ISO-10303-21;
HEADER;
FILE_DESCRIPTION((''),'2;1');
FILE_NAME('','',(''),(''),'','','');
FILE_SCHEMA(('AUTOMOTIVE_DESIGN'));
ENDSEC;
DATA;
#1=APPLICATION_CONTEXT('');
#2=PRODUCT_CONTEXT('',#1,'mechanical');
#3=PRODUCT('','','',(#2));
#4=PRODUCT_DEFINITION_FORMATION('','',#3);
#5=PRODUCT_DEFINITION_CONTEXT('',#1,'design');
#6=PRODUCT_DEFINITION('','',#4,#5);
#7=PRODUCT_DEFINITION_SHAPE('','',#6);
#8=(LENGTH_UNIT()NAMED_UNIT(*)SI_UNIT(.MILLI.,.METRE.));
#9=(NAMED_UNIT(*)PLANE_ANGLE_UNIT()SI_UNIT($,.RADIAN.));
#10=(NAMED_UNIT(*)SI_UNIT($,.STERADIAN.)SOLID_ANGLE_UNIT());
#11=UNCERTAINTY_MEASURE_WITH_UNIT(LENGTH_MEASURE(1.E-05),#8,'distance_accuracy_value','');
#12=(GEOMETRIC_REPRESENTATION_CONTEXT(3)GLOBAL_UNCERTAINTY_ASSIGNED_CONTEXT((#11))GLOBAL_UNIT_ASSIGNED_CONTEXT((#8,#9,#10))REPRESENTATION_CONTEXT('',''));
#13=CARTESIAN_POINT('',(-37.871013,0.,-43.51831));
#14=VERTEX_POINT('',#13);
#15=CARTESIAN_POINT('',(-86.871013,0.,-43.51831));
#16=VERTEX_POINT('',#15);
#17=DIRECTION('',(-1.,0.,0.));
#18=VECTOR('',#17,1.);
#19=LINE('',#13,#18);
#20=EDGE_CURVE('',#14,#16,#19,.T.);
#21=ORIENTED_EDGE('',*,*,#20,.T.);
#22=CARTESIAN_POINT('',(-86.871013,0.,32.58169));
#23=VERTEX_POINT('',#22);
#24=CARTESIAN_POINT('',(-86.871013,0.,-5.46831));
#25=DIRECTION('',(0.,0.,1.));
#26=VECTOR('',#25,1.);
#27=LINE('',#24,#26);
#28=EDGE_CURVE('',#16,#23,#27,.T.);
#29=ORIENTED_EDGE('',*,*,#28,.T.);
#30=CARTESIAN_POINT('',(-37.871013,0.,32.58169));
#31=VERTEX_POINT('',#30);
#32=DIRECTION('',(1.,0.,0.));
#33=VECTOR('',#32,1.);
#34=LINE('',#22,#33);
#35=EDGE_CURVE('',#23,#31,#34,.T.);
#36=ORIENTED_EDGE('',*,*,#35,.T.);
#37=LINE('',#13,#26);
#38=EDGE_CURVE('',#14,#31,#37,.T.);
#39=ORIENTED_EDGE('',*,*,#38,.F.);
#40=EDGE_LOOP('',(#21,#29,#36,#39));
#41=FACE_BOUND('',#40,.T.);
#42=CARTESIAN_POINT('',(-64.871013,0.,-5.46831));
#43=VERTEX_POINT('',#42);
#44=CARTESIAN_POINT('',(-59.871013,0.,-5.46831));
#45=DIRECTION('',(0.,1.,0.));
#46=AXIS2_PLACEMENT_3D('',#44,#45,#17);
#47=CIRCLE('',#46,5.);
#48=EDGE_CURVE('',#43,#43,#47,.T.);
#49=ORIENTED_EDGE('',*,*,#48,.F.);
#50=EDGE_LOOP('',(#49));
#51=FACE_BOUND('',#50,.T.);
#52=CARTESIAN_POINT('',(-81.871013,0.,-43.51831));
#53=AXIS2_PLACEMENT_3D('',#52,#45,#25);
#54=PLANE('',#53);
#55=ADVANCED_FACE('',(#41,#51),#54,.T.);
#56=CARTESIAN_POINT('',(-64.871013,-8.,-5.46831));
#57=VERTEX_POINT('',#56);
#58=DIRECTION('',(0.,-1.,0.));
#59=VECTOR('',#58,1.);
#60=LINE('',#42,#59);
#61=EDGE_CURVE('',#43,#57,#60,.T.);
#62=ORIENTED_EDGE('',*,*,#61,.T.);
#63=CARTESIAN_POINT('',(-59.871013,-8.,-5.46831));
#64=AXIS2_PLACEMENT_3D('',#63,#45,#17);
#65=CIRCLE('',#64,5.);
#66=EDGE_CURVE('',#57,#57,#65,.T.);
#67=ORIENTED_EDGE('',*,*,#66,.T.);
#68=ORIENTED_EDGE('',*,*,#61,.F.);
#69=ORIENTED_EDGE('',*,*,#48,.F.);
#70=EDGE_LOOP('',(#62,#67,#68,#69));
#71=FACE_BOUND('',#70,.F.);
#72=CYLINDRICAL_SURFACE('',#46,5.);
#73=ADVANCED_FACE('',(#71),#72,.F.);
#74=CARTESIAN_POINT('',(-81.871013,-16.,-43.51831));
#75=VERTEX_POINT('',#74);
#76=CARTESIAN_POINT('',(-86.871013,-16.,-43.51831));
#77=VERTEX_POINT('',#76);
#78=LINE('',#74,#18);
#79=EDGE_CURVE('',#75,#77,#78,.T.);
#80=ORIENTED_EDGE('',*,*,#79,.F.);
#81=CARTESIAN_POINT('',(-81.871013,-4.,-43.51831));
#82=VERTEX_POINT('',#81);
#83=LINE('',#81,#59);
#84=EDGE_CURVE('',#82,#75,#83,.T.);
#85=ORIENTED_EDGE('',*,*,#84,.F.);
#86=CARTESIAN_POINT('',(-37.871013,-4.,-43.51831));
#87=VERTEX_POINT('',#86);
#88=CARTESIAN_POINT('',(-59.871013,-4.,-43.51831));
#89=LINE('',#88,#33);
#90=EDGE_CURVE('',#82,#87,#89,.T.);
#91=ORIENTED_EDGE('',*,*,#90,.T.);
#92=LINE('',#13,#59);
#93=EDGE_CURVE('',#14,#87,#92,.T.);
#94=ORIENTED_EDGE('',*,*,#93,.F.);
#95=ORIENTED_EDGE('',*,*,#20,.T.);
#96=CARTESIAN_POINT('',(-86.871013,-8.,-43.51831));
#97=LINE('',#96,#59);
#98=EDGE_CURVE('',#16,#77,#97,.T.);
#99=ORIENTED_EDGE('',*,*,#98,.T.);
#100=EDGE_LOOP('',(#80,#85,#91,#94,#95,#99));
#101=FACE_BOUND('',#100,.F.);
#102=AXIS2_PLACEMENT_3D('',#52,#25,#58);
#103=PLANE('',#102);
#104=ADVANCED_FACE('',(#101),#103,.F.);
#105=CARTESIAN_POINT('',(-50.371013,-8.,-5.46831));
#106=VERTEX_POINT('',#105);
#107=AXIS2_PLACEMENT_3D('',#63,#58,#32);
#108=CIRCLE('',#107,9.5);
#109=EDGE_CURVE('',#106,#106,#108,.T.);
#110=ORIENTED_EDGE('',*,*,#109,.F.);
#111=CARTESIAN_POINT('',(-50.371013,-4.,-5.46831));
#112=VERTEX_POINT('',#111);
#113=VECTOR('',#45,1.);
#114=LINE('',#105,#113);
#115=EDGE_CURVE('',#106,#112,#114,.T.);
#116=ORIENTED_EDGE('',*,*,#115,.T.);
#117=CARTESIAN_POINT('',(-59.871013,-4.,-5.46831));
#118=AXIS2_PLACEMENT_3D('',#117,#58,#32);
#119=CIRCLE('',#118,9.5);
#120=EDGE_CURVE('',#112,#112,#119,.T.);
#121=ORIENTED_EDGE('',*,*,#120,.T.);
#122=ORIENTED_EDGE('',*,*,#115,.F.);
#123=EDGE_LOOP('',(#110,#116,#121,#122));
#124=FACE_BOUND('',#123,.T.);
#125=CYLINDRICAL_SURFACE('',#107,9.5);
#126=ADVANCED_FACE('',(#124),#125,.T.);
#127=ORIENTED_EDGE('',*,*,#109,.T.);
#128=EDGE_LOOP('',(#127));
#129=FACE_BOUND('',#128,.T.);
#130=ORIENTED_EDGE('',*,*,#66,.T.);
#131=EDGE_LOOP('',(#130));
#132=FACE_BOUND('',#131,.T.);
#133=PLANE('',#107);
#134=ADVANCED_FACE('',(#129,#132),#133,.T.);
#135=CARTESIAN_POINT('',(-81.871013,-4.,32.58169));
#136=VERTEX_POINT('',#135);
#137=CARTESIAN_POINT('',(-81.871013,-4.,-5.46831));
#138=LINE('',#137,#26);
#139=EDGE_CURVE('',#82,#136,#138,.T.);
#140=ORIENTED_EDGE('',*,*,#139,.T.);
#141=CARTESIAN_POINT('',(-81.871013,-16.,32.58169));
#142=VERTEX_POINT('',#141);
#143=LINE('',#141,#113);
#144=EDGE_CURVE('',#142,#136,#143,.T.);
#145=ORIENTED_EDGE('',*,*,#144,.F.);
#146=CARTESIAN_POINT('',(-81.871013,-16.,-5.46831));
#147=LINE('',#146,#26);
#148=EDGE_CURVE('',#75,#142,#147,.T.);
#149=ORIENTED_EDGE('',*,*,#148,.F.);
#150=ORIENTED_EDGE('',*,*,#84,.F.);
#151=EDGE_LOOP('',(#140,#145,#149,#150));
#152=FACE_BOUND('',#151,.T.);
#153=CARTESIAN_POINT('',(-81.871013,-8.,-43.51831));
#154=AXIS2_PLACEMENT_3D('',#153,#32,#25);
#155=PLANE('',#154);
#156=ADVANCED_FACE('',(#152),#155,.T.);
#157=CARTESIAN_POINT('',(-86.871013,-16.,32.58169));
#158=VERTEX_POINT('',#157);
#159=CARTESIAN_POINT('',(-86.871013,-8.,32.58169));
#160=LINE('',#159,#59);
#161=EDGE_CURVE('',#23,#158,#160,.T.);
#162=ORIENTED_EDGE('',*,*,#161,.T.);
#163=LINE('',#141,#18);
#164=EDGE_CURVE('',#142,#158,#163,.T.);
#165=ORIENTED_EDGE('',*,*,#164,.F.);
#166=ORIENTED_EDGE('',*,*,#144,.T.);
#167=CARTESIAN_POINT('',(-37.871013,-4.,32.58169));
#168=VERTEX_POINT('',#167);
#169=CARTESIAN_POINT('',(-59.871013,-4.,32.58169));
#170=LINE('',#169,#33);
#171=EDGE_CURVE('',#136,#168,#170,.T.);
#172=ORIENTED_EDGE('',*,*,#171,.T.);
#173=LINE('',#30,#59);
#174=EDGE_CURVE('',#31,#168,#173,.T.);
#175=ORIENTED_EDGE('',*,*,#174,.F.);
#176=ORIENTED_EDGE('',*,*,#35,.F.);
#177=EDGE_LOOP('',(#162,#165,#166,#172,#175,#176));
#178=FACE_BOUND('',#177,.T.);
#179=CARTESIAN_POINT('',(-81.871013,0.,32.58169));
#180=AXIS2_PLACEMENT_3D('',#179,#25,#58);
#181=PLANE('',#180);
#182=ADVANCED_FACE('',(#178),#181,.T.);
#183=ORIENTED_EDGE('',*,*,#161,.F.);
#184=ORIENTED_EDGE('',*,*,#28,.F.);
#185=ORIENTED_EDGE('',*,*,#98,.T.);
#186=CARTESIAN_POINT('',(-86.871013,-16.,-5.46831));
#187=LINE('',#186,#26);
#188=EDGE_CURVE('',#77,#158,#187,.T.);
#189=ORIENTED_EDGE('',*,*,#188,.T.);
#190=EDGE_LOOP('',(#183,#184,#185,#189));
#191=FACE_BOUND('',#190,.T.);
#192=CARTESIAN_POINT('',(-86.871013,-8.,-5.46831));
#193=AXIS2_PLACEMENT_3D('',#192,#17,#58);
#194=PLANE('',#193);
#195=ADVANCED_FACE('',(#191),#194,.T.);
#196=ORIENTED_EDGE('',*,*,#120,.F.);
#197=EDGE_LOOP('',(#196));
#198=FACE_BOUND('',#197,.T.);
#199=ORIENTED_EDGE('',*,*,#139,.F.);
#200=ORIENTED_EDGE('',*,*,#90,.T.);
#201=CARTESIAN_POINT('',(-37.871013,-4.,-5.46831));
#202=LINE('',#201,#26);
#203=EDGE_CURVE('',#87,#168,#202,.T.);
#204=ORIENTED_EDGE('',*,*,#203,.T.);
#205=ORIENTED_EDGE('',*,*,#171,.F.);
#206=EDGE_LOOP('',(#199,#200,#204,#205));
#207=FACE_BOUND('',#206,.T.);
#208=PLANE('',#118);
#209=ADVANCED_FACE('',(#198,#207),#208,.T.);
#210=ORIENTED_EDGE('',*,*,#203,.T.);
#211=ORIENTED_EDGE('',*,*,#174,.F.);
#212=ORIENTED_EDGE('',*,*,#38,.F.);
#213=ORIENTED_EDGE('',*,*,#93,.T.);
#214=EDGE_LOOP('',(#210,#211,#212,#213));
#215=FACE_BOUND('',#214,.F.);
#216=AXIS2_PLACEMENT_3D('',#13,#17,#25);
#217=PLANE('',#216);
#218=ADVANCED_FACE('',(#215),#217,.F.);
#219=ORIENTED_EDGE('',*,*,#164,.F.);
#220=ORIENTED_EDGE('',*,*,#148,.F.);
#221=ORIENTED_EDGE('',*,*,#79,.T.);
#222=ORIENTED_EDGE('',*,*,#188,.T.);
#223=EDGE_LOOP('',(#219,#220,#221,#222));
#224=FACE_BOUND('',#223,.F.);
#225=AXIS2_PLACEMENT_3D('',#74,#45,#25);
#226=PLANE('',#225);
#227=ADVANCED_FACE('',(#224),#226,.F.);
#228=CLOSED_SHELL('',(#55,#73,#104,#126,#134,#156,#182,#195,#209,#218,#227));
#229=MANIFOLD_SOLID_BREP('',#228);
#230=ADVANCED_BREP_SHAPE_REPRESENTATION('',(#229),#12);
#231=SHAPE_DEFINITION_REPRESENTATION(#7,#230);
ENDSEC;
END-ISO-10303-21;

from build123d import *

# Parameters (mm, degrees)
F1_DEPTH = 8
F2_W     = 16
F2_H     = 76.1
F3_DEPTH = 5
F4_W     = 44
F4_H     = 76.1
F4_R     = 9.5
F5_DEPTH = 4


with BuildPart() as f1:
    # F0 (on Front) → F1 (new body)
    with BuildSketch(Plane.XZ):
        with BuildLine():
            ThreePointArc((-54.871013, -5.46831), (-59.871013, -0.46831), (-64.871013, -5.46831))
            ThreePointArc((-64.871013, -5.46831), (-59.871013, -10.46831), (-54.871013, -5.46831))
        make_face()
        Polygon((-37.871013, 32.58169), (-81.871013, 32.58169), (-81.871013, -5.46831), (-81.871013, -43.51831), (-37.871013, -43.51831), align=None)
        with BuildLine():
            ThreePointArc((-54.871013, -5.46831), (-59.871013, -10.46831), (-64.871013, -5.46831))
            ThreePointArc((-64.871013, -5.46831), (-59.871013, -0.46831), (-54.871013, -5.46831))
        make_face(mode=Mode.SUBTRACT)
    extrude(amount=F1_DEPTH)

    # F2 (on face) → F3 (join)
    with BuildSketch(Plane(origin=(-81.871013, 0, 0), x_dir=(0, -1, 0), z_dir=(-1, 0, 0))):
        with Locations((8, -5.46831)):
            Rectangle(F2_W, F2_H)
    extrude(amount=F3_DEPTH)

    # F4 (on face) → F5 (cut)
    with BuildSketch(Plane.XZ.offset(8)):
        with Locations((-59.871013, -5.46831)):
            Rectangle(F4_W, F4_H)
        with Locations((-59.871013, -5.46831)):
            Circle(F4_R, mode=Mode.SUBTRACT)
    extrude(amount=-F5_DEPTH, mode=Mode.SUBTRACT)


solid = f1.part
